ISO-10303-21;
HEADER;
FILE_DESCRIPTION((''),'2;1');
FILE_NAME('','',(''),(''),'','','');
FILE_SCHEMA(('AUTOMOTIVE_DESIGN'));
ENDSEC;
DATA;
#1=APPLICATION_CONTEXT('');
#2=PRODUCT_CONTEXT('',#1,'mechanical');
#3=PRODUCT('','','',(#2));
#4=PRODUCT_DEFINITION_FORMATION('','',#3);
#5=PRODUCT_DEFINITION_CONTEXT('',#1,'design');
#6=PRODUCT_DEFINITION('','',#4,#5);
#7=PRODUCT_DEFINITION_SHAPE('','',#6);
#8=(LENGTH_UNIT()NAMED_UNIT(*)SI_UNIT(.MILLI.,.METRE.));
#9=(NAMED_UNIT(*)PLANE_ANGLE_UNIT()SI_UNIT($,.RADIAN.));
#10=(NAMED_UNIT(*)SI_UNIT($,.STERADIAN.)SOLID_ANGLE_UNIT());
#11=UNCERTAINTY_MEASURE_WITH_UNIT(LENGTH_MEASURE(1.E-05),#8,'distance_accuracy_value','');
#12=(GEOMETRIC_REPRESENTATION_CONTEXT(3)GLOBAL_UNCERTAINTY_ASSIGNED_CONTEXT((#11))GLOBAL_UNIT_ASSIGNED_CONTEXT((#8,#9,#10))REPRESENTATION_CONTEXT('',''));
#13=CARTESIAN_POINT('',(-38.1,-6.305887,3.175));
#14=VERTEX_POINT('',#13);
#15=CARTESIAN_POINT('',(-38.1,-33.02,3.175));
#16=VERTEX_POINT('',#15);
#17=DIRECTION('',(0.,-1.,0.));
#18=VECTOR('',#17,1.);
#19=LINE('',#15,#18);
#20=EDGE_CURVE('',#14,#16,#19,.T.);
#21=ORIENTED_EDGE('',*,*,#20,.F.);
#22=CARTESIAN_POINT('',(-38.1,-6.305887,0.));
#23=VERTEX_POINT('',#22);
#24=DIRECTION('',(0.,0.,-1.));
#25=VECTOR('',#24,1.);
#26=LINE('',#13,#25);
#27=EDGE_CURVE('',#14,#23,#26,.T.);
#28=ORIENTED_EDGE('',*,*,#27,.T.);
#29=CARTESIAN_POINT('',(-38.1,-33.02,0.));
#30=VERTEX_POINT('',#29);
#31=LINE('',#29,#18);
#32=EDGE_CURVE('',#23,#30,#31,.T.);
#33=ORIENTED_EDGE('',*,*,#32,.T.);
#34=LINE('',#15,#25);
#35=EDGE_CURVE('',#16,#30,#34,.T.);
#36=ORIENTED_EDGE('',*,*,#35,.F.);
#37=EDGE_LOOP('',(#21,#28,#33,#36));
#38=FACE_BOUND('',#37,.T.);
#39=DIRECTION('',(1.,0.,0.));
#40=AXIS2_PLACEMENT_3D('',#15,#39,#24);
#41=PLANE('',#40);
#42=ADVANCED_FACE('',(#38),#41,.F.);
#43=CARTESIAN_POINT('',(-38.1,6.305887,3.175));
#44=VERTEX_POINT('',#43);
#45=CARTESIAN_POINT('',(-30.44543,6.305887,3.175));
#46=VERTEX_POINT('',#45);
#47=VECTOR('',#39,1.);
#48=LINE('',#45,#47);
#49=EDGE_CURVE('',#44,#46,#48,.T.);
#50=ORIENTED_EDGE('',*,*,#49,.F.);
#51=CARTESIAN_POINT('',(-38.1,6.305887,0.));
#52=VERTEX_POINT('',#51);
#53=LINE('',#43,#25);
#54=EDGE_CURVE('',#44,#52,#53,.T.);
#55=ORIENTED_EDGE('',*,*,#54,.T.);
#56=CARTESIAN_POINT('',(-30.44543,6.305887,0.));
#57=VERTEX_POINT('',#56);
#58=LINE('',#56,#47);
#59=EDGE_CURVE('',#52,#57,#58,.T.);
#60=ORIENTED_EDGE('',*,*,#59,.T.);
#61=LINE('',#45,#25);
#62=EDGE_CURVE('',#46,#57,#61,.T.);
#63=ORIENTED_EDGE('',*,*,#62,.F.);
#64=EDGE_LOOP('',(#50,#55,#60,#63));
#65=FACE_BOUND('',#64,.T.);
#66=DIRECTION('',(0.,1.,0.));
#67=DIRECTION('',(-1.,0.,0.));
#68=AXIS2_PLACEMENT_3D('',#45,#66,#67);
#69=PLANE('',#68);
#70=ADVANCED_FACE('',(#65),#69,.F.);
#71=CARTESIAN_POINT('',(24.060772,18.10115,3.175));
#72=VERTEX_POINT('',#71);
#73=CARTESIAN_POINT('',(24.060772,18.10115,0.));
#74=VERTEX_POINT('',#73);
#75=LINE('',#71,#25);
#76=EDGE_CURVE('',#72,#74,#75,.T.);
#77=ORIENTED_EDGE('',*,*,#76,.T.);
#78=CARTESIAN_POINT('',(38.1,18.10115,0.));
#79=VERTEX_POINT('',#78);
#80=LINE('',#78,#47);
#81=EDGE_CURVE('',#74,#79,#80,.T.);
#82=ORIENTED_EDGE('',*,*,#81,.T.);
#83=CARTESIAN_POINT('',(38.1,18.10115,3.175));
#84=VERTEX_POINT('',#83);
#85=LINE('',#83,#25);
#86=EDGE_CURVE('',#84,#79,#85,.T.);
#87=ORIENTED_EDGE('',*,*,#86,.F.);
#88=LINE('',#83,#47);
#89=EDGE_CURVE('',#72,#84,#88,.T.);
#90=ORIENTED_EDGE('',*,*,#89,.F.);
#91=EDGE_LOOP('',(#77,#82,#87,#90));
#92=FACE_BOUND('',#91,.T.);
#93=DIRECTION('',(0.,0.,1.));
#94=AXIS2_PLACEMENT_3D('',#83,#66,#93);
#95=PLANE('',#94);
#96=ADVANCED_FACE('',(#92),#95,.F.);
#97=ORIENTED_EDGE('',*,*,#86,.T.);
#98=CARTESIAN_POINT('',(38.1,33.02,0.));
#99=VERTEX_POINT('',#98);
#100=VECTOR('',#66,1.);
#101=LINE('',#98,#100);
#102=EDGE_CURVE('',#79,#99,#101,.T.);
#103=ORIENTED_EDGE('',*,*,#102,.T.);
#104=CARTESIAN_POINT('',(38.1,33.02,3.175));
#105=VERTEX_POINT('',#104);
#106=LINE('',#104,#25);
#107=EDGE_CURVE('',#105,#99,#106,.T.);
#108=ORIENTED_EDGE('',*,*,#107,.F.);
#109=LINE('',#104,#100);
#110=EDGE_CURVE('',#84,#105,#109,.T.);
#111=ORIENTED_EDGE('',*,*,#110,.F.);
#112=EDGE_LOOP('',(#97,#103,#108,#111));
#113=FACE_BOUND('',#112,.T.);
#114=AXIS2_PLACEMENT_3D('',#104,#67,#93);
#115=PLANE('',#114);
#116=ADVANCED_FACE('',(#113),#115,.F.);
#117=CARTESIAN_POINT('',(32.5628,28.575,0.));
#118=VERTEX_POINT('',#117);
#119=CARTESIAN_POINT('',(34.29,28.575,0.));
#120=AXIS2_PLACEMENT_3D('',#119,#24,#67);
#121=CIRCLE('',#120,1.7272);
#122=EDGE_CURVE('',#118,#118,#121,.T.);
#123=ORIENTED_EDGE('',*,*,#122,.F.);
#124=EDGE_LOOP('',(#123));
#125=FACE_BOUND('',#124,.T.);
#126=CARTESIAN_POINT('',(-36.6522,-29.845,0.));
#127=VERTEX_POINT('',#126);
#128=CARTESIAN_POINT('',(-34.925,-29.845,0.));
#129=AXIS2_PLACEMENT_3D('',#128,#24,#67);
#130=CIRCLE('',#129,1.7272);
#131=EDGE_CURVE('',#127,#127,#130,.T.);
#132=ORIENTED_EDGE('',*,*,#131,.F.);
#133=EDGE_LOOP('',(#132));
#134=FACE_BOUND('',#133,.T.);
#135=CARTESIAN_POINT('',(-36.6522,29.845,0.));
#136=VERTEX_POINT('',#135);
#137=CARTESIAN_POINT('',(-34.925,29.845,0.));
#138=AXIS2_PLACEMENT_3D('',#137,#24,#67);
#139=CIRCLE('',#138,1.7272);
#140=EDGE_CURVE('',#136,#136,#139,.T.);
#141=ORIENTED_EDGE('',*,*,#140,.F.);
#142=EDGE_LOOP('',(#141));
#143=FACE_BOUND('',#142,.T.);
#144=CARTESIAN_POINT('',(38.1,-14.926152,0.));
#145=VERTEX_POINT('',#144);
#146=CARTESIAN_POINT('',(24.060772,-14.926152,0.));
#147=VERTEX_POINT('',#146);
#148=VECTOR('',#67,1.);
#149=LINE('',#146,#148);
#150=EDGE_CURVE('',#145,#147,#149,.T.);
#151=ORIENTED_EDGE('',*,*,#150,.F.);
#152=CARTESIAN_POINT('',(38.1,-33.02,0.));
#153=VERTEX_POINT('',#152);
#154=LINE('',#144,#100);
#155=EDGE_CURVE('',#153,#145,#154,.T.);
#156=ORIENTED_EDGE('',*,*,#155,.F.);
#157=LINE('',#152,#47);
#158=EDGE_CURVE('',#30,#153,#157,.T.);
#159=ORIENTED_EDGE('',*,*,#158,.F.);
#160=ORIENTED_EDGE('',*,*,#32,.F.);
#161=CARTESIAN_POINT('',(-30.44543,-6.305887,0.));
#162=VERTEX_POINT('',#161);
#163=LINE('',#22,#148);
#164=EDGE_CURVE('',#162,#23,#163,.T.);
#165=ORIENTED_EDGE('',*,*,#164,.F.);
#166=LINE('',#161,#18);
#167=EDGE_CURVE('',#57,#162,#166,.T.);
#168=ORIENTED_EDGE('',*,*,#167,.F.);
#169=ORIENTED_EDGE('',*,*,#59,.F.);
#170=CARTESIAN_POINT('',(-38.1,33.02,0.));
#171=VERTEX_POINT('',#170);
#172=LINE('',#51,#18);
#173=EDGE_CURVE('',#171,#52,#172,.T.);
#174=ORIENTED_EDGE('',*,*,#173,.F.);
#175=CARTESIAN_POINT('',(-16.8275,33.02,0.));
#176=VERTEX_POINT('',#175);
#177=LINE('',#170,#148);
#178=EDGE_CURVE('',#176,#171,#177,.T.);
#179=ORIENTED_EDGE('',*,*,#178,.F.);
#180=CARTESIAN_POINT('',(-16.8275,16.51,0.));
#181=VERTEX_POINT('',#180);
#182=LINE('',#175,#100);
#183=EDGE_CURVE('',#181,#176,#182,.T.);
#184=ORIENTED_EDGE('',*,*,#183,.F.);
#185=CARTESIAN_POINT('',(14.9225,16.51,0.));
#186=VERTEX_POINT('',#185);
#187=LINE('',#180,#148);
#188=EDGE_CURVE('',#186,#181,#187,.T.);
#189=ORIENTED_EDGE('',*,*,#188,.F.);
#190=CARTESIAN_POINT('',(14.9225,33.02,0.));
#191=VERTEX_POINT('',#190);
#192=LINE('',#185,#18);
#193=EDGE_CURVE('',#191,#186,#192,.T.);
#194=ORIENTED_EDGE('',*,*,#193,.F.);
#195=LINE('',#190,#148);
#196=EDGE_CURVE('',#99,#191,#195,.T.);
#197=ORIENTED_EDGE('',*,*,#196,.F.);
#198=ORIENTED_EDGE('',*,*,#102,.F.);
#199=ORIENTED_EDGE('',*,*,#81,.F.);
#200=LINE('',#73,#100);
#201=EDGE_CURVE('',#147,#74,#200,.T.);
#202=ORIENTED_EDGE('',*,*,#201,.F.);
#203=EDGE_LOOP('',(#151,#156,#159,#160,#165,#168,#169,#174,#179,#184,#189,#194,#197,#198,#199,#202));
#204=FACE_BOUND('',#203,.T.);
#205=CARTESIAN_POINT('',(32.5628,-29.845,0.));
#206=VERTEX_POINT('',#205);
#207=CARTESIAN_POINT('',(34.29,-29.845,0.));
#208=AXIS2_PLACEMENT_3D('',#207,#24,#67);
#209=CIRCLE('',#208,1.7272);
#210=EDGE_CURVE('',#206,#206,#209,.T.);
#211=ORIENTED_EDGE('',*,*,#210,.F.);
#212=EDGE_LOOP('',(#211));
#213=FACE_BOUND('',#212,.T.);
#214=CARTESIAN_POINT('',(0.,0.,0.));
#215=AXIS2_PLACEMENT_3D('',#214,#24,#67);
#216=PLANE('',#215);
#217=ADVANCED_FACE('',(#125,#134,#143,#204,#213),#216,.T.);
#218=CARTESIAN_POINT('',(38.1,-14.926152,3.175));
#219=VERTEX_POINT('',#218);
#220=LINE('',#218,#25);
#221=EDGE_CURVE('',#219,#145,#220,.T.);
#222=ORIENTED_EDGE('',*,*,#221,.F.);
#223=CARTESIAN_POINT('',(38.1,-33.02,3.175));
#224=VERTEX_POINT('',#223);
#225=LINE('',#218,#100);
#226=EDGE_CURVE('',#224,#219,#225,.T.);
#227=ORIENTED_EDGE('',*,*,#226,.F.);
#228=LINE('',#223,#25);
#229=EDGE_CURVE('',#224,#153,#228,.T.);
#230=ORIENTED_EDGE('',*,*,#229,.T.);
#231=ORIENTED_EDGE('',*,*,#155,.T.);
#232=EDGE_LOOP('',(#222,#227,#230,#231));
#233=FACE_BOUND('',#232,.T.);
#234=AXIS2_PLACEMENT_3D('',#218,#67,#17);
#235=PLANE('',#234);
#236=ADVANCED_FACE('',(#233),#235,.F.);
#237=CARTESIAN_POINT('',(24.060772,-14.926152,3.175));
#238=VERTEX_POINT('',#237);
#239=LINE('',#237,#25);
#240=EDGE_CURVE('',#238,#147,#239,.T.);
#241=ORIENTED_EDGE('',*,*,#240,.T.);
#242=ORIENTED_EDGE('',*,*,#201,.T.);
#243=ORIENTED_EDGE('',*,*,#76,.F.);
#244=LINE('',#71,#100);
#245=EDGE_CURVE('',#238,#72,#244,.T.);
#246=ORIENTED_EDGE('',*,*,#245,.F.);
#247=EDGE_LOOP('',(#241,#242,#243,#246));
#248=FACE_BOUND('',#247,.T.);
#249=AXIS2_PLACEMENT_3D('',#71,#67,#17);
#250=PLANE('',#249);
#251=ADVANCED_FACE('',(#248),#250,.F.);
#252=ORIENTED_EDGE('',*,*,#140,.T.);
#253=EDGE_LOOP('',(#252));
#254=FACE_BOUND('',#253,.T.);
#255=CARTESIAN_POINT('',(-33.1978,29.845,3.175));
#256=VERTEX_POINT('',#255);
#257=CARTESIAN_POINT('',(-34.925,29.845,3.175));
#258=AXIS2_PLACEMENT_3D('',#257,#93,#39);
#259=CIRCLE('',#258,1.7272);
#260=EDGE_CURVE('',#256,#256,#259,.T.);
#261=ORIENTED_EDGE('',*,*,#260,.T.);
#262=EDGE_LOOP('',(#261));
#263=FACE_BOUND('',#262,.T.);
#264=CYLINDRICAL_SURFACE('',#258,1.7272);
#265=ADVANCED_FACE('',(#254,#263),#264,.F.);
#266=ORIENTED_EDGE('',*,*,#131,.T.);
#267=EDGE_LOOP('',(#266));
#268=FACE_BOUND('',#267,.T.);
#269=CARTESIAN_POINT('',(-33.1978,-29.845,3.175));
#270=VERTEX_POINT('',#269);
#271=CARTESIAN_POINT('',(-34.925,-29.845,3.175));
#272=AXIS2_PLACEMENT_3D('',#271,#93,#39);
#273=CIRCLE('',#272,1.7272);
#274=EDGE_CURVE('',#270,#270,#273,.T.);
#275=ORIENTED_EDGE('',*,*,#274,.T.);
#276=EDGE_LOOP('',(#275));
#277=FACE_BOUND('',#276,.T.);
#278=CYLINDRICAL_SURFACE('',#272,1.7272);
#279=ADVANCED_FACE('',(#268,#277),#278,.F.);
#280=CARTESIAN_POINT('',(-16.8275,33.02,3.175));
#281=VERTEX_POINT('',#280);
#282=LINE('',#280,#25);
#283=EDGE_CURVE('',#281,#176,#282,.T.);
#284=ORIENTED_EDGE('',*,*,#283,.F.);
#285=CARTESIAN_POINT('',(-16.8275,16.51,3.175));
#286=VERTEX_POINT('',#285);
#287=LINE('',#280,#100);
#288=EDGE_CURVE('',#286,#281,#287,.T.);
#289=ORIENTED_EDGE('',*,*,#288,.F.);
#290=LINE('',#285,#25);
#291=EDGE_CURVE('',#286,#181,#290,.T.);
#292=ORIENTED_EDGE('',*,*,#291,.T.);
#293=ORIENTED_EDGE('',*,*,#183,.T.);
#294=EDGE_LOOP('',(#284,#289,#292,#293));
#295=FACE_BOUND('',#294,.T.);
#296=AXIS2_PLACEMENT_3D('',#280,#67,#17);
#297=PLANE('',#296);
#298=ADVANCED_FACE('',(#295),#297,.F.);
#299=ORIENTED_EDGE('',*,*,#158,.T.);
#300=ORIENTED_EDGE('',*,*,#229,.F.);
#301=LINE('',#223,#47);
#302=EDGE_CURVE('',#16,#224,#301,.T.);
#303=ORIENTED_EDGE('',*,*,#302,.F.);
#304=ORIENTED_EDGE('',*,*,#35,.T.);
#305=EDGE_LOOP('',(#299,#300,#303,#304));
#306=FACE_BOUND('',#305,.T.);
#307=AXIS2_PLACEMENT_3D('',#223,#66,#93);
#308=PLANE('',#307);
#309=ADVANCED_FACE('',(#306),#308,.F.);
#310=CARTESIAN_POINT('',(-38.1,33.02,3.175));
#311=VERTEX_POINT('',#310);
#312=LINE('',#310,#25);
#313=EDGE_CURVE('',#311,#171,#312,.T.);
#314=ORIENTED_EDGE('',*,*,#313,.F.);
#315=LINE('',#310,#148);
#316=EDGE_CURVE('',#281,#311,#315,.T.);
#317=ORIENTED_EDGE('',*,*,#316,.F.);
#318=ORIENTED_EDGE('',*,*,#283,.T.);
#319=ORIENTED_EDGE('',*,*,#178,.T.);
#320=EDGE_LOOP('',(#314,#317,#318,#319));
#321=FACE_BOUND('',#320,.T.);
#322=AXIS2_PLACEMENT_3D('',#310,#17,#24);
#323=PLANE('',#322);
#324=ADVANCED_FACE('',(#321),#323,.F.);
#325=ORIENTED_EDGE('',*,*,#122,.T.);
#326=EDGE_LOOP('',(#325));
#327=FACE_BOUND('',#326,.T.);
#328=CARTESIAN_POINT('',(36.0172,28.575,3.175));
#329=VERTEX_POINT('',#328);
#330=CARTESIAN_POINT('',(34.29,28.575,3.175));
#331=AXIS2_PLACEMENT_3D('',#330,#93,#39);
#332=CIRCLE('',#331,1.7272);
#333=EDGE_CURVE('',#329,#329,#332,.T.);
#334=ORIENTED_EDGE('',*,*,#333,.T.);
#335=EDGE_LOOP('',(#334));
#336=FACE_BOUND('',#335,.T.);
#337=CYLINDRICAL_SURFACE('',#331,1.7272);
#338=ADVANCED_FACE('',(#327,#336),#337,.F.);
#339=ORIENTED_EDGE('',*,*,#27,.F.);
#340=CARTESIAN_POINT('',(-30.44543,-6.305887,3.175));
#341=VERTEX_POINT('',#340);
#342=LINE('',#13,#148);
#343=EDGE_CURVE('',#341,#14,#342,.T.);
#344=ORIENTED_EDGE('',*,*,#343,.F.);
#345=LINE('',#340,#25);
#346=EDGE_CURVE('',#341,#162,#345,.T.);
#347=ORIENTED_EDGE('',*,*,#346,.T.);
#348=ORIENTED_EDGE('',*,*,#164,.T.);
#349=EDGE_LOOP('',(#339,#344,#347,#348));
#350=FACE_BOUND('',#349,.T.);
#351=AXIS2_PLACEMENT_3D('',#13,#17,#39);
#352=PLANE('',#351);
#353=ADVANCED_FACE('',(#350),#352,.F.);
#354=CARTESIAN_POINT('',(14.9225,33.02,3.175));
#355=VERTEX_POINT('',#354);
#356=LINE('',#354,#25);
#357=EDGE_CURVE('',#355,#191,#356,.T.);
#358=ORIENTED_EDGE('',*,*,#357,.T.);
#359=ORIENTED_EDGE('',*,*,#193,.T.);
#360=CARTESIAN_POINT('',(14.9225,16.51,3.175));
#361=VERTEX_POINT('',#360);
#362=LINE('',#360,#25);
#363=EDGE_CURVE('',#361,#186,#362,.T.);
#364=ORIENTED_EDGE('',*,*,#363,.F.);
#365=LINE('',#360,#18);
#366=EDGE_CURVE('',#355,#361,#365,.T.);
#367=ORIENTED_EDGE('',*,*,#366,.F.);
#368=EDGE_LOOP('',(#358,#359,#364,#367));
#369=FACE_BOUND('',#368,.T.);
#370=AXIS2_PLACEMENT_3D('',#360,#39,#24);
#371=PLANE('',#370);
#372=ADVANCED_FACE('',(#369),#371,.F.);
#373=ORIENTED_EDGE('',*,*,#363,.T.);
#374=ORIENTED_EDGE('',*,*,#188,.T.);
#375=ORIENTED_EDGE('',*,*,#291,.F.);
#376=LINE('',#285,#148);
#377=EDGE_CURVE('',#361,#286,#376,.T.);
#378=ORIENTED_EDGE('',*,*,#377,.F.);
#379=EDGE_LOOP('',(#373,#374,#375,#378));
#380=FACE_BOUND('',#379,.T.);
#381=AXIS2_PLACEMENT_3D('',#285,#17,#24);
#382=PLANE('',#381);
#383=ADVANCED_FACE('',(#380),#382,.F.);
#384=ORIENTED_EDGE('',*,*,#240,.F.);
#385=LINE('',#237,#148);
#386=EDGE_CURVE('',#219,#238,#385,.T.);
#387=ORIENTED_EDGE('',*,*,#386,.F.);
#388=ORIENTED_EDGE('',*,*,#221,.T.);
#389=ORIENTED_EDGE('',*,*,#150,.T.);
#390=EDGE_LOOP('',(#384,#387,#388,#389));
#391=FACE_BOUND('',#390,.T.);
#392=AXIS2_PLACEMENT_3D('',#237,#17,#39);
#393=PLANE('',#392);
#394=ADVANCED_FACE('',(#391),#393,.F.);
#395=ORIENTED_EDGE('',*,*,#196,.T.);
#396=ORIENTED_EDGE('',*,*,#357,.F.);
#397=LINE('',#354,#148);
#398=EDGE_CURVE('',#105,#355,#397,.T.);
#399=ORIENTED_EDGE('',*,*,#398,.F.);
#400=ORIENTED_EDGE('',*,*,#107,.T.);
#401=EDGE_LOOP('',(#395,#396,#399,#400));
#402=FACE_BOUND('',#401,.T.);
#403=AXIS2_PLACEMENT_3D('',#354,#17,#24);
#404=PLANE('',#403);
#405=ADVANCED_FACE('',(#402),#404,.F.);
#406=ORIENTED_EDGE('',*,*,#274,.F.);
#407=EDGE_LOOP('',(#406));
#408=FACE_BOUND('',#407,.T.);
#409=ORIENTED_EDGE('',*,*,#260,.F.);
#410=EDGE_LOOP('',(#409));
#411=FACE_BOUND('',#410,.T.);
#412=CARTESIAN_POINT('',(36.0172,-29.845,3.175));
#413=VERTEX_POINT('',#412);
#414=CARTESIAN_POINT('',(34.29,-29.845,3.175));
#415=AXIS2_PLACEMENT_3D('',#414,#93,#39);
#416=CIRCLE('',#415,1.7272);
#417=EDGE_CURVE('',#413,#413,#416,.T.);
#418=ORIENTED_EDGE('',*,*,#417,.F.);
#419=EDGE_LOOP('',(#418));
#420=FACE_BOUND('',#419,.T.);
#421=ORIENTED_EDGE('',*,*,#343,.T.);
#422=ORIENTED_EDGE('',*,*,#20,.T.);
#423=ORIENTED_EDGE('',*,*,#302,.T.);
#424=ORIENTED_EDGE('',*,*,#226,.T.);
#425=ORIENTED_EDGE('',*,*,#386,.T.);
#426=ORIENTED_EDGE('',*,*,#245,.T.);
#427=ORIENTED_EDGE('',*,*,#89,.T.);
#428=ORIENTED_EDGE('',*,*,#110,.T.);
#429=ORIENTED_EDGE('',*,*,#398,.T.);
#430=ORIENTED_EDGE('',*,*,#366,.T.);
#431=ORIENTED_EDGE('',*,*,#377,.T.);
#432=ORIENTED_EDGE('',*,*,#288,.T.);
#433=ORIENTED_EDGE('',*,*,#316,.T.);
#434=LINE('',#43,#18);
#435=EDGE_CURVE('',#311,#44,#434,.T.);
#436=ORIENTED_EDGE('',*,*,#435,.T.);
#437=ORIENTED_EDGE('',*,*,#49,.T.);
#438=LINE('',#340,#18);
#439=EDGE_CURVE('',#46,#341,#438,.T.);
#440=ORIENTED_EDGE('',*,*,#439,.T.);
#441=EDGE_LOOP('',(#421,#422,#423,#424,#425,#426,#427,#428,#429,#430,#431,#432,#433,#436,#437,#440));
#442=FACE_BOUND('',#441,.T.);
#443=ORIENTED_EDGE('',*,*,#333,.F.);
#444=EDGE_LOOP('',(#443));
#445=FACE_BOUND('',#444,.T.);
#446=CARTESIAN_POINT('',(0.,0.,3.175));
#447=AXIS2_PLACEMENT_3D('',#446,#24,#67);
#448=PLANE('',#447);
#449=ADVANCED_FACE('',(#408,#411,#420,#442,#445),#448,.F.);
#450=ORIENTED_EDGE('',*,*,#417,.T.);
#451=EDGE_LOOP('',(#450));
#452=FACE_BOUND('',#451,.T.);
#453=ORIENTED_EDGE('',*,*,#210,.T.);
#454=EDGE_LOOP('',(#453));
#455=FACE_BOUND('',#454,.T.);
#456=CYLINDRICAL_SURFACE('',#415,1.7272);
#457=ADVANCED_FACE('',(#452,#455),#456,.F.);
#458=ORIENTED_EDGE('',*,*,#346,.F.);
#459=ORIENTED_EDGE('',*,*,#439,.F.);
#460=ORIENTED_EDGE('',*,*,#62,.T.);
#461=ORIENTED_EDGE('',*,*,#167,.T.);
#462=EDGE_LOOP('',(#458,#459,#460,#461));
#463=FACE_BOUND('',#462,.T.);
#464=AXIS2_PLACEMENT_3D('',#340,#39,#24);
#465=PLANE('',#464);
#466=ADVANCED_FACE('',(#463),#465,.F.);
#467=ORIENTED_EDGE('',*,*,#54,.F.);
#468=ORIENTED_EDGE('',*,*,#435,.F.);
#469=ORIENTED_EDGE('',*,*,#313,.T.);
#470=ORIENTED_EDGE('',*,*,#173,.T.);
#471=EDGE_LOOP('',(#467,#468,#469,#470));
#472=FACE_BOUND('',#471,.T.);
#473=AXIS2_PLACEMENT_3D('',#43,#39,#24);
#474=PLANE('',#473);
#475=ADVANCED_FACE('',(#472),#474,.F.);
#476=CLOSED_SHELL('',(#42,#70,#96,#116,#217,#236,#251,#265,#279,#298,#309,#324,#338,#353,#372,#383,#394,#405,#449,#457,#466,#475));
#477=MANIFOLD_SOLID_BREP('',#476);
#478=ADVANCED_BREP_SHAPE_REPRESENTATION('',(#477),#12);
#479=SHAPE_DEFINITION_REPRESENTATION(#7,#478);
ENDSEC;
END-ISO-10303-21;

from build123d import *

# Parameters (mm, degrees)
BOSS_EXTRUDE1_DEPTH       = 3.175
F_4_CLEARANCE_HOLE1_D     = 3.4544
F_4_CLEARANCE_HOLE1_DEPTH = 10.16
F_4_CLEARANCE_HOLE1_TIP   = 1.037806461


with BuildPart() as part:
    # Sketch2 → Boss-Extrude1 (new body)
    with BuildSketch(Plane.XY):
        Polygon((-38.1, 33.02), (-16.8275, 33.02), (-16.8275, 16.51), (14.9225, 16.51), (14.9225, 33.02), (38.1, 33.02), (38.1, 18.1011502), (24.060772257, 18.1011502), (24.060772257, -14.926152342), (38.1, -14.926152342), (38.1, -33.02), (-38.1, -33.02), (-38.1, -6.305887107), (-30.445430268, -6.305887107), (-30.445430268, 6.305887107), (-38.1, 6.305887107), align=None)
    extrude(amount=BOSS_EXTRUDE1_DEPTH)

    # #4 Clearance Hole1
    with Locations(Plane.XY.offset(3.175)):
        with Locations((-34.925, 29.845), (34.29, 28.575), (-34.925, -29.845), (34.29, -29.845)):
            Hole(F_4_CLEARANCE_HOLE1_D / 2, depth=F_4_CLEARANCE_HOLE1_DEPTH)
            with Locations((0, 0, -(F_4_CLEARANCE_HOLE1_DEPTH + F_4_CLEARANCE_HOLE1_TIP / 2))):  # 118° drill point
                Cone(0, F_4_CLEARANCE_HOLE1_D / 2, F_4_CLEARANCE_HOLE1_TIP, mode=Mode.SUBTRACT)


solid = part.part
